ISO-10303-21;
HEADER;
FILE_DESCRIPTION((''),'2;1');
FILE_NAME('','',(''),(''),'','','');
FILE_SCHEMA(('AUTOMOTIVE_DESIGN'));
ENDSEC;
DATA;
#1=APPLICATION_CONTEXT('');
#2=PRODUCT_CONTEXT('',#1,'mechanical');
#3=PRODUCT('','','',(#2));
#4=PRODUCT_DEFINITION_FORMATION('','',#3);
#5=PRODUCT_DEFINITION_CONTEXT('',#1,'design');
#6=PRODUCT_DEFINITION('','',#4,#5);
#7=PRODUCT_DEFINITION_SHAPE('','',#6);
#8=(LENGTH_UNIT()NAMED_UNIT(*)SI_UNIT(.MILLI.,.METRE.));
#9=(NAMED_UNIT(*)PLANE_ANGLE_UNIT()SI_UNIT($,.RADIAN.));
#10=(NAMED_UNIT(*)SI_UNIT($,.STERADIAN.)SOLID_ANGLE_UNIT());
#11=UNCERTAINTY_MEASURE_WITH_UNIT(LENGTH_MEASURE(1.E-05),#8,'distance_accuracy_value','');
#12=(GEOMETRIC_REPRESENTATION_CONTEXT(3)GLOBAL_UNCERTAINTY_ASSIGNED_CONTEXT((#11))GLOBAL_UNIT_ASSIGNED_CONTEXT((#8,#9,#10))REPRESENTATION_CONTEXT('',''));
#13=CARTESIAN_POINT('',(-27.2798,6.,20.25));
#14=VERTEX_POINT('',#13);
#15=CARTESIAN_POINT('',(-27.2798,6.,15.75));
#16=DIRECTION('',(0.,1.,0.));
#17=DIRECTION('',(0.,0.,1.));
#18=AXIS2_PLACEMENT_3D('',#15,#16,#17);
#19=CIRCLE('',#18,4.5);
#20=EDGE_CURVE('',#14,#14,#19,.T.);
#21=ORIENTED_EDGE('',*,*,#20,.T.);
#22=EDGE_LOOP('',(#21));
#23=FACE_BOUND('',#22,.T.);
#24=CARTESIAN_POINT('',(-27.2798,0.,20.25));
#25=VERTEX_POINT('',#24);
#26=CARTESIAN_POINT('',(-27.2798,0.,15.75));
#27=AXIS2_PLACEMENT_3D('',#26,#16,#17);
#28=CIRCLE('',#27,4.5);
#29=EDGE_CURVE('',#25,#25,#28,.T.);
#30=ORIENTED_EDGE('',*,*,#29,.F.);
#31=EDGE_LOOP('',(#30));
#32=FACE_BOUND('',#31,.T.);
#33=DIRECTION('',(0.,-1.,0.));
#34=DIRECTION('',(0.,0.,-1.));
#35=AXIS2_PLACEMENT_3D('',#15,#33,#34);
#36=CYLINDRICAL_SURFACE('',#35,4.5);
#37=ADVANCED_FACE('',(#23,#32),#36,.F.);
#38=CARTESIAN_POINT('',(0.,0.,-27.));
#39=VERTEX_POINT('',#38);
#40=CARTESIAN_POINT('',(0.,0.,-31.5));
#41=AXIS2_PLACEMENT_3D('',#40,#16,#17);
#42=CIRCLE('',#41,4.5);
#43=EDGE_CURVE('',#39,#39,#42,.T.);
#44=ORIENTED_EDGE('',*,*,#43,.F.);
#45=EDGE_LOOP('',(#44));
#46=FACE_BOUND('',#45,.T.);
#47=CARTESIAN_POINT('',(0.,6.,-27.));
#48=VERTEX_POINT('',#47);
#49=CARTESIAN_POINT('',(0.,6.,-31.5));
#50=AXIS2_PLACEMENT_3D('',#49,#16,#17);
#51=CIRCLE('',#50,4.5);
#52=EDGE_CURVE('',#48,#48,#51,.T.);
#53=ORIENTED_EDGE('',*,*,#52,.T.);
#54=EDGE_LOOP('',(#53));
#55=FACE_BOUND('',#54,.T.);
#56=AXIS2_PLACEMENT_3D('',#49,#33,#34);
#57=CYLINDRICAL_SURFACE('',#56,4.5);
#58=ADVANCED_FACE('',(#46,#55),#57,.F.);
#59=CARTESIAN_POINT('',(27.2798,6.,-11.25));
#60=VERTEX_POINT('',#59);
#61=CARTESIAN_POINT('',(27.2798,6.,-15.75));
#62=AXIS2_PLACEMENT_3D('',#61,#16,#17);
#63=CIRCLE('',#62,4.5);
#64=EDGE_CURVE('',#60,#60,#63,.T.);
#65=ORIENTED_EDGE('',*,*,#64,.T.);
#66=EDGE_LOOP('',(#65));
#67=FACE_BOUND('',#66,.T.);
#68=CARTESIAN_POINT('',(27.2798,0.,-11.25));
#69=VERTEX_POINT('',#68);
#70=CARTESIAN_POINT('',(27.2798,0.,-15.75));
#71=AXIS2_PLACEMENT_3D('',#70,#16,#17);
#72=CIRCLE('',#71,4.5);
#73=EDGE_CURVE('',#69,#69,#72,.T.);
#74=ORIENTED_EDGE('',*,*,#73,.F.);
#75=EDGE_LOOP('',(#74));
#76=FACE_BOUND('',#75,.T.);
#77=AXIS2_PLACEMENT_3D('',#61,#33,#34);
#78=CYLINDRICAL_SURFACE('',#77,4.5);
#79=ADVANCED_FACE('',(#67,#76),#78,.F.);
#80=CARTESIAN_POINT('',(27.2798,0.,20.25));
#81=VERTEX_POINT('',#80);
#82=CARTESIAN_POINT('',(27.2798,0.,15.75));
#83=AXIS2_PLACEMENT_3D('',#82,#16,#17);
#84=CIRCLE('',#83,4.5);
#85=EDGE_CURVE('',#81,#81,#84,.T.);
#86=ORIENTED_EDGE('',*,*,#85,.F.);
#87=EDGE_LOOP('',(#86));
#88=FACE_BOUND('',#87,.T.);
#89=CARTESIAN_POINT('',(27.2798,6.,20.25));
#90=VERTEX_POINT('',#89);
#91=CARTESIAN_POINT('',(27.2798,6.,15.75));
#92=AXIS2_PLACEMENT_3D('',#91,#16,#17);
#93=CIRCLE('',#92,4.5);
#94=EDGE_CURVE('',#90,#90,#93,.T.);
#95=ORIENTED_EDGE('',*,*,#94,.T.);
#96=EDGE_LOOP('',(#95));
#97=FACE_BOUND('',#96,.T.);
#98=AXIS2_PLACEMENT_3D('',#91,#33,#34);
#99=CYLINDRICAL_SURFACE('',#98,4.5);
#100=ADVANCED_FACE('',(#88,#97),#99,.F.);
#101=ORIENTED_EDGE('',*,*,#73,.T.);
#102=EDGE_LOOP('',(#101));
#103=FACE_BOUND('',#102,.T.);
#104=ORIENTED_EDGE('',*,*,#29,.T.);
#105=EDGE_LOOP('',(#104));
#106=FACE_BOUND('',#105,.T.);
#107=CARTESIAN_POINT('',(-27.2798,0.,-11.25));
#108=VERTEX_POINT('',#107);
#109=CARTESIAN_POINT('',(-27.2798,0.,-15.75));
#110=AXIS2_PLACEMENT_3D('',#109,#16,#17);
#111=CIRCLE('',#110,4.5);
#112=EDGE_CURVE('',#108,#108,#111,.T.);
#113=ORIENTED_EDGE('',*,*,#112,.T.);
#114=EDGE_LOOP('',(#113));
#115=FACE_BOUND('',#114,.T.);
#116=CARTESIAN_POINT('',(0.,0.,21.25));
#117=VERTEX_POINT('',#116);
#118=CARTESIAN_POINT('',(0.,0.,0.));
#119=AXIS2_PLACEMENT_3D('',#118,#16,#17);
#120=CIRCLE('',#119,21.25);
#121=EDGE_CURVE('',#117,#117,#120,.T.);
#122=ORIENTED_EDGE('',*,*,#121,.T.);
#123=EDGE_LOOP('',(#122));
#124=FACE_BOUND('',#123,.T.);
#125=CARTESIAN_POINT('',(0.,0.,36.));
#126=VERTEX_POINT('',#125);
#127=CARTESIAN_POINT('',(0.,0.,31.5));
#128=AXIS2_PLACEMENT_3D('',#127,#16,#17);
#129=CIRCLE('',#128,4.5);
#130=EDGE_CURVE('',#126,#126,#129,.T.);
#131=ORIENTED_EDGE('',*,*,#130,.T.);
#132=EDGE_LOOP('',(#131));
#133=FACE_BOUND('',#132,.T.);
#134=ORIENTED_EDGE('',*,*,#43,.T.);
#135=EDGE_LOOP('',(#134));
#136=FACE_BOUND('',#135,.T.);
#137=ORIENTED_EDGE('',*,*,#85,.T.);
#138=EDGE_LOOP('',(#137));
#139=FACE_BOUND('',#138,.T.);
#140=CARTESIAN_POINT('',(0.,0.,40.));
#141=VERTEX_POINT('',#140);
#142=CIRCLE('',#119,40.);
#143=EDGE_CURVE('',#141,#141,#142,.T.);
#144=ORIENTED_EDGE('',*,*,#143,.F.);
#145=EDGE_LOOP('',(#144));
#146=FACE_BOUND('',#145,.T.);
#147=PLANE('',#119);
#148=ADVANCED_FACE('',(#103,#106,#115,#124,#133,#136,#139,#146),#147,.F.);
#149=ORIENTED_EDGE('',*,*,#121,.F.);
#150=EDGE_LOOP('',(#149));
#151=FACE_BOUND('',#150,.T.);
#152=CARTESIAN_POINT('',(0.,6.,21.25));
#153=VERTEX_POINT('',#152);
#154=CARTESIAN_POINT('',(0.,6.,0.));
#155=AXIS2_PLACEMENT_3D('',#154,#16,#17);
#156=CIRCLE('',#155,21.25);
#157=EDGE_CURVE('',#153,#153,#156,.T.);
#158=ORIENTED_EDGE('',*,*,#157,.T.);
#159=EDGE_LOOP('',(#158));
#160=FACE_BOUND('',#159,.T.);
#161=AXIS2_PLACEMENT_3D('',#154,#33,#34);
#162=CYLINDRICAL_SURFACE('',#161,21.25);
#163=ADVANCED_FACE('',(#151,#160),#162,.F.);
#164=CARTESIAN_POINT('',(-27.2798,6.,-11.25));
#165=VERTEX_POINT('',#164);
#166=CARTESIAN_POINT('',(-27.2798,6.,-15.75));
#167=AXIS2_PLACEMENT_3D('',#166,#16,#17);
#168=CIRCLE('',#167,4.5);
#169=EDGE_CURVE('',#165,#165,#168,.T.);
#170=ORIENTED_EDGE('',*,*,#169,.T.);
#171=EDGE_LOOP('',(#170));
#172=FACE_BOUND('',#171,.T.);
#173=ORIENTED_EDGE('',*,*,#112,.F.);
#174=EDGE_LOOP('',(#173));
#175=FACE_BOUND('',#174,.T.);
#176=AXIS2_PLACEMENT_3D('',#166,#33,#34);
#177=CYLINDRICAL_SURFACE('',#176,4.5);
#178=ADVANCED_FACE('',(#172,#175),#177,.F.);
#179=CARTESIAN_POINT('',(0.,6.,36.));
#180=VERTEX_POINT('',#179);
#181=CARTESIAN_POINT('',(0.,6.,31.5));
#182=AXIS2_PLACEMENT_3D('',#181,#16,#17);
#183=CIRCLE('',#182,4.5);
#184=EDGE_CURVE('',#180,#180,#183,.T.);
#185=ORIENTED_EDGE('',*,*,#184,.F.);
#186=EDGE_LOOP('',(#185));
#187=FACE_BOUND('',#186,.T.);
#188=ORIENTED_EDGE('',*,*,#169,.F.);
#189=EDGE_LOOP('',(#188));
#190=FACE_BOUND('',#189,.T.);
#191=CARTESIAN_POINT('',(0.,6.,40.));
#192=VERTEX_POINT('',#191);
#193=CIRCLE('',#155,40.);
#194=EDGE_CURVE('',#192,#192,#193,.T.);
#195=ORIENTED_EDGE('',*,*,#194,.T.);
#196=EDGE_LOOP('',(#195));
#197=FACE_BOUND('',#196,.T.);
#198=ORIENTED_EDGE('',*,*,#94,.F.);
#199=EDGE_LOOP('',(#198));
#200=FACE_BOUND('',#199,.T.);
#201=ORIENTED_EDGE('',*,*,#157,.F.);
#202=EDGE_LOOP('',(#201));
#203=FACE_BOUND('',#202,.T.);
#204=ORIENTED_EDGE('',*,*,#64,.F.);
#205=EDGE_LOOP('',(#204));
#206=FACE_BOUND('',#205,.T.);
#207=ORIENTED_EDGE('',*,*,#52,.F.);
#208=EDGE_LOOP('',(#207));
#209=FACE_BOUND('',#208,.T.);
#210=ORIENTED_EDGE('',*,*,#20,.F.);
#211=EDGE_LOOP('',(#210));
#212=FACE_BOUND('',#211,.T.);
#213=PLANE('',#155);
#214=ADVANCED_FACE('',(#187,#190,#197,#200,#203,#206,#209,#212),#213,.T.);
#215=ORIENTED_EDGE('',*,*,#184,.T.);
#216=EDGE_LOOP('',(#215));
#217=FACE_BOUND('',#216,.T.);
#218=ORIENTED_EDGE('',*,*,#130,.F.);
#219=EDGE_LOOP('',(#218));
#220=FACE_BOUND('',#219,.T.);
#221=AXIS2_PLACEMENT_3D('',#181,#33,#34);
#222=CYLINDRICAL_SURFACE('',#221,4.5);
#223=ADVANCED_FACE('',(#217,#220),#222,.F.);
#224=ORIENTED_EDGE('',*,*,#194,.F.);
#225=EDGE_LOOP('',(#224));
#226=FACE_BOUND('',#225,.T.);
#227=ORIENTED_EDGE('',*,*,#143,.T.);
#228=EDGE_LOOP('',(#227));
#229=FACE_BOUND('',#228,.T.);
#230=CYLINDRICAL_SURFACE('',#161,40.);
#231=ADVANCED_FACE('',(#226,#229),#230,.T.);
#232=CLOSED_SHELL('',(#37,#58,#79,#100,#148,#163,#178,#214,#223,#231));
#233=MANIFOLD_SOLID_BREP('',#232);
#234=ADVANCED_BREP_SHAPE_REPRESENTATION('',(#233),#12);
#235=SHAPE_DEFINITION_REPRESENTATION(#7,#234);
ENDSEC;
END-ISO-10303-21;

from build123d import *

# Parameters (mm, degrees)
SKETCH_1_R      = 40
SKETCH_1_R_2    = 21.25
SKETCH_1_R_3    = 4.5
EXTRUDE_1_DEPTH = 6


with BuildPart() as part:
    # 草图1 → 凸台-拉伸1 (new body)
    with BuildSketch(Plane(origin=(0, 0, 0), x_dir=(1, 0, 0), z_dir=(0, 1, 0))):
        with Locations(Location((0, 0, 0), (0, 0, 270))):
            Circle(SKETCH_1_R)
        with Locations(Location((0, 0, 0), (0, 0, 270))):
            Circle(SKETCH_1_R_2, mode=Mode.SUBTRACT)
        with Locations(Location((0, 31.5, 0), (0, 0, 270))):
            Circle(SKETCH_1_R_3, mode=Mode.SUBTRACT)
        with Locations(Location((27.279800219, 15.75, 0), (0, 0, 270))):
            Circle(SKETCH_1_R_3, mode=Mode.SUBTRACT)
        with Locations(Location((27.279800219, -15.75, 0), (0, 0, 270))):
            Circle(SKETCH_1_R_3, mode=Mode.SUBTRACT)
        with Locations(Location((0, -31.5, 0), (0, 0, 270))):
            Circle(SKETCH_1_R_3, mode=Mode.SUBTRACT)
        with Locations(Location((-27.279800219, -15.75, 0), (0, 0, 270))):
            Circle(SKETCH_1_R_3, mode=Mode.SUBTRACT)
        with Locations(Location((-27.279800219, 15.75, 0), (0, 0, 270))):
            Circle(SKETCH_1_R_3, mode=Mode.SUBTRACT)
    extrude(amount=EXTRUDE_1_DEPTH)


solid = part.part
